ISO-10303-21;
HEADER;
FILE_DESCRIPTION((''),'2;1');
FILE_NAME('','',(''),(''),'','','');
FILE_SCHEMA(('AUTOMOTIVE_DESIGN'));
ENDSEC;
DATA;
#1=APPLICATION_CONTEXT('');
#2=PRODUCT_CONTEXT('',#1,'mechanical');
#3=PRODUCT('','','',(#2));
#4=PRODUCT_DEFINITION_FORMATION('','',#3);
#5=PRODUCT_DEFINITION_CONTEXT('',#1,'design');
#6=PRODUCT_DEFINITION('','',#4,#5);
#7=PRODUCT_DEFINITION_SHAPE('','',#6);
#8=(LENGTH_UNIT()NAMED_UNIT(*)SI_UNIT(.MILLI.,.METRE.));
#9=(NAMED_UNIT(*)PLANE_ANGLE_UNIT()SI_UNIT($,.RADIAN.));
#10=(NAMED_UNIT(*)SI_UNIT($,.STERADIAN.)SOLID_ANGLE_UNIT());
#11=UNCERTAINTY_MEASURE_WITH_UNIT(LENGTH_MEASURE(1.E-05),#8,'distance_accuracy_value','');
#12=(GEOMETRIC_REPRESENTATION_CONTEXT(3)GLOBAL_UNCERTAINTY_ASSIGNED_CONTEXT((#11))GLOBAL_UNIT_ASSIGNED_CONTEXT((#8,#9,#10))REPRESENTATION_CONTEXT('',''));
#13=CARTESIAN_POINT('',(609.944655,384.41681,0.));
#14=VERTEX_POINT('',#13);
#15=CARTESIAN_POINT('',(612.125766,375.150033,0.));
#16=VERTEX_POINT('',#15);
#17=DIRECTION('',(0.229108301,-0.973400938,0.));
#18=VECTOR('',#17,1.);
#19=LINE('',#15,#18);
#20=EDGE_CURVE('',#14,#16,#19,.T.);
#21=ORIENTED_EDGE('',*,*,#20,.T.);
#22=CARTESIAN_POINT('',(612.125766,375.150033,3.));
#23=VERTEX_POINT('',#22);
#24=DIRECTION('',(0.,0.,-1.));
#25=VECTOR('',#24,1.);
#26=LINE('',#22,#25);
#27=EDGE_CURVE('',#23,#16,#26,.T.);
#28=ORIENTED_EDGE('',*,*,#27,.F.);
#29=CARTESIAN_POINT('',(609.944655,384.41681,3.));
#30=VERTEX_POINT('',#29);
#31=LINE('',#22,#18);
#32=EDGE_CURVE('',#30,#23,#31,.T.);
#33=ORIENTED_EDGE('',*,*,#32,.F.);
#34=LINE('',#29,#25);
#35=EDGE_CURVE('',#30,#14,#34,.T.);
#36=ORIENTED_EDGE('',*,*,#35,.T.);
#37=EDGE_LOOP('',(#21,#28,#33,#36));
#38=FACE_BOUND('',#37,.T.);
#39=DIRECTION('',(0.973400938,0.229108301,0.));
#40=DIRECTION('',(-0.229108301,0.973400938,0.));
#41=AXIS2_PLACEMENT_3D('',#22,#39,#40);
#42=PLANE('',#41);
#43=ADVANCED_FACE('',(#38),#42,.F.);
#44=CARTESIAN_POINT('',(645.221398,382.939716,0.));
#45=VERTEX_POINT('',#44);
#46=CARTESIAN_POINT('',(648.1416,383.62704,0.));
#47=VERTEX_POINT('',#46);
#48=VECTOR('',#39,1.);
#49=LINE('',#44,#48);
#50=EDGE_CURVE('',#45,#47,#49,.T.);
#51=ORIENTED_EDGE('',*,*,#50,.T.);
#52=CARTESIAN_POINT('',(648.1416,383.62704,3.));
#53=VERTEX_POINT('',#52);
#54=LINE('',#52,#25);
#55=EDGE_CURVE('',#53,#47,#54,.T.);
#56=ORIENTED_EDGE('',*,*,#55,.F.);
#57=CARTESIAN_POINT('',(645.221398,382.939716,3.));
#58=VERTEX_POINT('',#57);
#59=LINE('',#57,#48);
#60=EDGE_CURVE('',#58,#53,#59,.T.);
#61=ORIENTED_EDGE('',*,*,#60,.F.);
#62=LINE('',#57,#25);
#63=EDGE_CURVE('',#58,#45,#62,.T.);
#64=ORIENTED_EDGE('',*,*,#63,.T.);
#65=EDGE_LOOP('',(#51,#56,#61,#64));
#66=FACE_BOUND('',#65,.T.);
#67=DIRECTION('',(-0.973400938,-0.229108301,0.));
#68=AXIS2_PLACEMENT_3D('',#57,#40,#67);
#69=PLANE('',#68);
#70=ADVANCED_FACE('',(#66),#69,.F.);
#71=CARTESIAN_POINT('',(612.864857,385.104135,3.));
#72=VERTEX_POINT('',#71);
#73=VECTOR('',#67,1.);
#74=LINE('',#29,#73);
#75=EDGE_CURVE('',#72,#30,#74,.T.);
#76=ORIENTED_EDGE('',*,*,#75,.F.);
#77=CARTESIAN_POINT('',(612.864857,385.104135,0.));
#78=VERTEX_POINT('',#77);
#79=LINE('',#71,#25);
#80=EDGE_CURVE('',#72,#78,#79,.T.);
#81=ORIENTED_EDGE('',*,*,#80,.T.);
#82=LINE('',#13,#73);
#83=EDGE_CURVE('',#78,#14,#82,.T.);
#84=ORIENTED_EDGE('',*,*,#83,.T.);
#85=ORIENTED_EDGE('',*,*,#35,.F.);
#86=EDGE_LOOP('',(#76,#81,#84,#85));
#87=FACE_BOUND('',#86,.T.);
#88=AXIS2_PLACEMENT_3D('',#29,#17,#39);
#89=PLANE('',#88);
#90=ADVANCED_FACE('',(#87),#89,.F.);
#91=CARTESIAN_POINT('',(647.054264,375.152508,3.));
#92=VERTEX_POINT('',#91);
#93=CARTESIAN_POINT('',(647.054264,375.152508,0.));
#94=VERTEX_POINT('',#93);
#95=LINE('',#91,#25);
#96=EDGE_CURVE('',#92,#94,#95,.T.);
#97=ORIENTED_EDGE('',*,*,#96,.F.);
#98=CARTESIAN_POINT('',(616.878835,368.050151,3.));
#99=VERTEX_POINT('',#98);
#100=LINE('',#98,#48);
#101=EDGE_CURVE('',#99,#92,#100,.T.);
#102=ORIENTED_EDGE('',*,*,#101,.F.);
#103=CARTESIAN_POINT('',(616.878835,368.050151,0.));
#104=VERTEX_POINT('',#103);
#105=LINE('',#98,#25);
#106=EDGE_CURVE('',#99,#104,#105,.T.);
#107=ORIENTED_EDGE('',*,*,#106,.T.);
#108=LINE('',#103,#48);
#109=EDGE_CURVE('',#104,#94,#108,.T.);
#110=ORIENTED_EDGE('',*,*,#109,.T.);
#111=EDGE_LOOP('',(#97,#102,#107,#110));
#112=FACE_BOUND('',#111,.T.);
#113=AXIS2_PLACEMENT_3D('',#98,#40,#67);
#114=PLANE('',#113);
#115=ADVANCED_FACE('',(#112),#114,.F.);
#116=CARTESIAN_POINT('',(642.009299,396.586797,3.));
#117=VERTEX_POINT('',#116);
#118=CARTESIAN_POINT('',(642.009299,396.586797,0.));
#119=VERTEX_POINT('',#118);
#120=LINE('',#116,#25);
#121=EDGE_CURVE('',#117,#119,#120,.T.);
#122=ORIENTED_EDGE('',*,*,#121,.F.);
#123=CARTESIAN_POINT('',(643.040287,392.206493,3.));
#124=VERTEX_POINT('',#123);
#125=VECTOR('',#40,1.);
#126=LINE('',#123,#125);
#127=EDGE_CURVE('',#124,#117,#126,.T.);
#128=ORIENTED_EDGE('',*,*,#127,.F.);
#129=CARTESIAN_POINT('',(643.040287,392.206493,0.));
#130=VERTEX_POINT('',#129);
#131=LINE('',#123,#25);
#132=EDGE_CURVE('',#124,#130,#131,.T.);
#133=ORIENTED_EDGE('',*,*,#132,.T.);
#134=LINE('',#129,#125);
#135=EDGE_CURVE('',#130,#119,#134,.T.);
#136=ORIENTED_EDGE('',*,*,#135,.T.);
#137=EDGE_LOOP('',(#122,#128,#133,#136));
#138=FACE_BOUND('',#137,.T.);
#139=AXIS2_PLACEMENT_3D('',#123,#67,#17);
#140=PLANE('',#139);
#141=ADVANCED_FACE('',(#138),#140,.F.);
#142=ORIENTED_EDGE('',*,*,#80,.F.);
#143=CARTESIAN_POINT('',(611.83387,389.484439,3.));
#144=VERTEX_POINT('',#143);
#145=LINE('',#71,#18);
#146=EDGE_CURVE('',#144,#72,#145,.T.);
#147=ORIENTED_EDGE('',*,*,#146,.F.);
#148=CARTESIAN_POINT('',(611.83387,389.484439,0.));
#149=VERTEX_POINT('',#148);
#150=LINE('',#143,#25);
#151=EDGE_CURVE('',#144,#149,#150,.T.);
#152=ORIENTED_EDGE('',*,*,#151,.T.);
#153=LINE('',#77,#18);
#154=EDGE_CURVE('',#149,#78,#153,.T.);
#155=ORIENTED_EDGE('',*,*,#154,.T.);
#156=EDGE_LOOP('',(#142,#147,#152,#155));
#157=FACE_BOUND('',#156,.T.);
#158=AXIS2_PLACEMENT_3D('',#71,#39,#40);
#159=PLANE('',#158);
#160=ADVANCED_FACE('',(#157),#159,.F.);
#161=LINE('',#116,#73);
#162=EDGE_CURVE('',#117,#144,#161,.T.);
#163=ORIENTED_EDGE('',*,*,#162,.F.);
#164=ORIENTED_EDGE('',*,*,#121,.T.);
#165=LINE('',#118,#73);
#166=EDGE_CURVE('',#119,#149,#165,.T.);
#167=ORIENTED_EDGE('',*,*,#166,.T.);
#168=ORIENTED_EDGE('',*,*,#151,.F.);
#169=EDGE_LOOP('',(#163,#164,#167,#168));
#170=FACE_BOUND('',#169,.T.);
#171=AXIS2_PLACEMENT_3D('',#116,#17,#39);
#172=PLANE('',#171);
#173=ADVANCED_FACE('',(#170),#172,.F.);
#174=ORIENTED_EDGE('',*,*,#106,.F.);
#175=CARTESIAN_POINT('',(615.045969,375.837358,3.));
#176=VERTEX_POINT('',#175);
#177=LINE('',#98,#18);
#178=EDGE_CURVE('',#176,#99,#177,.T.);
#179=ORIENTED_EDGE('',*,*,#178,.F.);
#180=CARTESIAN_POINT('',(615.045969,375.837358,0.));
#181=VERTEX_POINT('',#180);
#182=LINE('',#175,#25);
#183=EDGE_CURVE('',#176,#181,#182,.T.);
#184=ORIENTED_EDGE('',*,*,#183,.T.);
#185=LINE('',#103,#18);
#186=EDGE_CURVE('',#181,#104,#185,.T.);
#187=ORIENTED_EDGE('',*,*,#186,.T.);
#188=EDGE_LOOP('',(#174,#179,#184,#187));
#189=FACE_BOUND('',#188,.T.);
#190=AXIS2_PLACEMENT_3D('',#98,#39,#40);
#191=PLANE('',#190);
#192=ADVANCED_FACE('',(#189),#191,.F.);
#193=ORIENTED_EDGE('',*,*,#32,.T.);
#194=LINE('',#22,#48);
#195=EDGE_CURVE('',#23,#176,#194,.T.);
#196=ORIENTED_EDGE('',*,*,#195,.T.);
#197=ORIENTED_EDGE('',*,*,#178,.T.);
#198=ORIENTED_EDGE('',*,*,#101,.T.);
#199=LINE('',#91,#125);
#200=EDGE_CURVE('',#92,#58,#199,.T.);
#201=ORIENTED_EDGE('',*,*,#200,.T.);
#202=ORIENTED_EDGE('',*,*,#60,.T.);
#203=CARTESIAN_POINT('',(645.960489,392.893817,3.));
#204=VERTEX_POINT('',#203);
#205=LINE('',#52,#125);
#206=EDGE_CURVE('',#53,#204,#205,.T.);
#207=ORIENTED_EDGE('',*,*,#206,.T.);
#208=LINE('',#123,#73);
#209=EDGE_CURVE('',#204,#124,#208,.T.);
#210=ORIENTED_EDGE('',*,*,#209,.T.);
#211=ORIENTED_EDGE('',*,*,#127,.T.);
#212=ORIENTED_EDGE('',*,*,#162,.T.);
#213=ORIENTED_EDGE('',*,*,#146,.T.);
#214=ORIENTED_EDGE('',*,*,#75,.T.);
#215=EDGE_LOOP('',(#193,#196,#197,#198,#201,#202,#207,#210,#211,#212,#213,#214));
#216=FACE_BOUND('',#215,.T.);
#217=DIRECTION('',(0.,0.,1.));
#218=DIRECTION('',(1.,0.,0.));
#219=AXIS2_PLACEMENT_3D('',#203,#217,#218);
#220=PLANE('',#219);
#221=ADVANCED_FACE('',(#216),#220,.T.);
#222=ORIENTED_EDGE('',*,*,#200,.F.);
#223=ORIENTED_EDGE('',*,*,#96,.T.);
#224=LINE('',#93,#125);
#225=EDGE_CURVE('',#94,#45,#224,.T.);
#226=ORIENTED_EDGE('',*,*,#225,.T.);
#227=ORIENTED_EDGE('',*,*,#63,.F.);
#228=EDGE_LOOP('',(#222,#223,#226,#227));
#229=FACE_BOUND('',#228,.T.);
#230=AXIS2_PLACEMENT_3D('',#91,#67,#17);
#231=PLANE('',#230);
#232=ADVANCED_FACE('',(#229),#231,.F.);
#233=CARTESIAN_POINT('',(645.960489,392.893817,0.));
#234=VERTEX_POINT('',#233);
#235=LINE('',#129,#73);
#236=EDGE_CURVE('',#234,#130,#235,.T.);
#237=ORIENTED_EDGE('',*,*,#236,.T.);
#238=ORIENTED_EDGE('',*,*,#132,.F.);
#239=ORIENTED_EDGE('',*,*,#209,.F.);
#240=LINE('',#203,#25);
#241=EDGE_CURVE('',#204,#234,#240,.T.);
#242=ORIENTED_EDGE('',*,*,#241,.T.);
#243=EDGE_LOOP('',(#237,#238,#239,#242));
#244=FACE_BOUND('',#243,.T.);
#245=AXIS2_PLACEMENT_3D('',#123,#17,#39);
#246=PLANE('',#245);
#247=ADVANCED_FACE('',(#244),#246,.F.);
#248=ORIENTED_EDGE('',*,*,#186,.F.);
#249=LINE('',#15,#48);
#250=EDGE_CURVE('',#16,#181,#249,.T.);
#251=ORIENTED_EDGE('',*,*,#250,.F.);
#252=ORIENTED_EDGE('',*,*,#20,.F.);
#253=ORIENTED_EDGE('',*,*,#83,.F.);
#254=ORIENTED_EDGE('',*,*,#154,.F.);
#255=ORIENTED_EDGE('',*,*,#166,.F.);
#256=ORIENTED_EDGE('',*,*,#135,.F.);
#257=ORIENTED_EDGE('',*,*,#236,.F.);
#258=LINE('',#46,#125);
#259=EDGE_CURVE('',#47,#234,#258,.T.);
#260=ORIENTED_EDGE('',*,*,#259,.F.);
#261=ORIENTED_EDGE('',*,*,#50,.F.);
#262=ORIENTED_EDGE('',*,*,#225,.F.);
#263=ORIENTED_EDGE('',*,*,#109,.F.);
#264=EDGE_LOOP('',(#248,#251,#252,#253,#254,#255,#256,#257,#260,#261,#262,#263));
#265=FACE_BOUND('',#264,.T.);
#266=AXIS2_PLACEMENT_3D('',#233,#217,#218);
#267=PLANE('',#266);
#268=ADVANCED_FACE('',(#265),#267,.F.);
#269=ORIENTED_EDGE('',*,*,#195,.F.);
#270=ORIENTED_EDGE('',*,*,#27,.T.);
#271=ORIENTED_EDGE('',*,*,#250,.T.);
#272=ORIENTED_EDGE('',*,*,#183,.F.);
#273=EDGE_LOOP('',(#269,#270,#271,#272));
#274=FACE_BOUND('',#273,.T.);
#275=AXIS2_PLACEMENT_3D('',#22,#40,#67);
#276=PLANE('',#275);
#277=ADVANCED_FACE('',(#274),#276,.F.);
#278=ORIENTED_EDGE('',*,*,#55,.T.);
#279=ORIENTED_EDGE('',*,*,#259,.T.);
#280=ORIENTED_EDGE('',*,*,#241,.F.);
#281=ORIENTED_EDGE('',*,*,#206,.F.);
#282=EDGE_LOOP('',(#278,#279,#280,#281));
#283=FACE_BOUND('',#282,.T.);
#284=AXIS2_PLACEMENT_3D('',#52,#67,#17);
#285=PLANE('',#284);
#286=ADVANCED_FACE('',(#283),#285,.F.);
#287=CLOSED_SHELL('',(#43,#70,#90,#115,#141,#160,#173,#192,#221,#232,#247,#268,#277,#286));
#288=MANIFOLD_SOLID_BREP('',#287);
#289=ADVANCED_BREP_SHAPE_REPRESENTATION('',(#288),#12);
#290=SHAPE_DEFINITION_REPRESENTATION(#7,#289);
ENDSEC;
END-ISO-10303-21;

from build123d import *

# Parameters (mm, degrees)
BASE_EXTRUDE_DEPTH = 3


with BuildPart() as part:
    # Sketch1 → Base-Extrude (new body)
    with BuildSketch(Plane.XY):
        Polygon((643.040286555, 392.206492508), (642.009299198, 396.586796729), (611.833870118, 389.484439386), (612.864857475, 385.104135165), (609.94465466, 384.41681026), (612.12576569, 375.15003333), (615.045968504, 375.837358234), (616.878834915, 368.05015073), (647.054263995, 375.152508073), (645.221397584, 382.939715578), (648.141600398, 383.627040482), (645.960489369, 392.893817412), align=None)
    extrude(amount=BASE_EXTRUDE_DEPTH)


solid = part.part
